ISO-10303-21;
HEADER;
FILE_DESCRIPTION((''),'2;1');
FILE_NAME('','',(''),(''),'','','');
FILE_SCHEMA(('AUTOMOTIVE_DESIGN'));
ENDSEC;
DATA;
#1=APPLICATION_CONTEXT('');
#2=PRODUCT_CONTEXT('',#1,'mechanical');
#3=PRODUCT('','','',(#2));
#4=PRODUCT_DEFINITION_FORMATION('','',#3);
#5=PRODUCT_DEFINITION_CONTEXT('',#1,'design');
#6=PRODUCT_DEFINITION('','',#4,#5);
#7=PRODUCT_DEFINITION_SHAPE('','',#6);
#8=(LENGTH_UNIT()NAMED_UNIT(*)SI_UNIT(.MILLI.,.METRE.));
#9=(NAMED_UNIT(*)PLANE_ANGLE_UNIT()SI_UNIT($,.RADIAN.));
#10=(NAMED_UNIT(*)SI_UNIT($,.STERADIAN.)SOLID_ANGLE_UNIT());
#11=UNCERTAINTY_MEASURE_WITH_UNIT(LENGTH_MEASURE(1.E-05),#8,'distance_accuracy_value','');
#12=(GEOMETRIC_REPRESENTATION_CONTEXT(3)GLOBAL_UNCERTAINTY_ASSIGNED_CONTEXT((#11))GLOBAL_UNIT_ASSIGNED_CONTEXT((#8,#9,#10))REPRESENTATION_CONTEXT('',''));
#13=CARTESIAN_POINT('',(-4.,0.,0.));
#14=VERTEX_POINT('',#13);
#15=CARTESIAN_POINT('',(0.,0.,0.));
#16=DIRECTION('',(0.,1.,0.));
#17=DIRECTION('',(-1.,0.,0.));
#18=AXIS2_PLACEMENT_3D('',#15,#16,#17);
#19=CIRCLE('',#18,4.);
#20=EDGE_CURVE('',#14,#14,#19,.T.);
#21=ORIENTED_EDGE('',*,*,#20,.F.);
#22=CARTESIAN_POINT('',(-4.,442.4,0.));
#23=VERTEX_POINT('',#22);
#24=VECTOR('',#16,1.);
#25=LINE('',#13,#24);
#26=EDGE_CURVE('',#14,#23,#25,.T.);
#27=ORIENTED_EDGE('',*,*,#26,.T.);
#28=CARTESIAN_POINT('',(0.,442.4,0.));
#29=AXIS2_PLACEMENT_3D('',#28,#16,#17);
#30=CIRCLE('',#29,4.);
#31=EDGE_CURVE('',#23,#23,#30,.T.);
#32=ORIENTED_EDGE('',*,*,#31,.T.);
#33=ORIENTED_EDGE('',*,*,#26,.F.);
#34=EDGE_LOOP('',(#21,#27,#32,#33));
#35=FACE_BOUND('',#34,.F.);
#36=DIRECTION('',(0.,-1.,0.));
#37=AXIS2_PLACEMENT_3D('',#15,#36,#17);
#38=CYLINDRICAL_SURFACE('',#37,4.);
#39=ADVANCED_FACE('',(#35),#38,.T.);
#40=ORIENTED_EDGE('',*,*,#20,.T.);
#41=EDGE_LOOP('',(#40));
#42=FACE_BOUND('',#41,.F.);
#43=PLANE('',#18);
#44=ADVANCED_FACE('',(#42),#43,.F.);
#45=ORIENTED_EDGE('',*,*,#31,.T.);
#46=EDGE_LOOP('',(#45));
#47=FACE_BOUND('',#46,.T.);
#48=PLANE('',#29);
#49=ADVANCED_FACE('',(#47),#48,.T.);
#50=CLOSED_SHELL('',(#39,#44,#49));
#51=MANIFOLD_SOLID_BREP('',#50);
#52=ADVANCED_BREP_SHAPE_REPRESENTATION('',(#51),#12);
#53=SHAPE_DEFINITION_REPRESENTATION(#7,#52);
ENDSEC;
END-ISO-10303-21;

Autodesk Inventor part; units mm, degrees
ref_plane "YZ Plane" through (0, 0, 0) normal (1, 0, 0) x (0, 1, 0)
ref_plane "XZ Plane" through (0, 0, 0) normal (0, 1, 0) x (-1, 0, 0)
ref_plane "XY Plane" through (0, 0, 0) normal (0, 0, 1) x (1, 0, 0)
sketch "Sketch1" plane through (0, 0, 0) normal (0, 1, 0) x (-1, 0, 0)
  circle A0 centre (0, 0) radius 4
  dimension "d0" = 8
extrude "Extrusion1" add sketch "Sketch1" along normal blind 442.4
properties part number "varilla"
